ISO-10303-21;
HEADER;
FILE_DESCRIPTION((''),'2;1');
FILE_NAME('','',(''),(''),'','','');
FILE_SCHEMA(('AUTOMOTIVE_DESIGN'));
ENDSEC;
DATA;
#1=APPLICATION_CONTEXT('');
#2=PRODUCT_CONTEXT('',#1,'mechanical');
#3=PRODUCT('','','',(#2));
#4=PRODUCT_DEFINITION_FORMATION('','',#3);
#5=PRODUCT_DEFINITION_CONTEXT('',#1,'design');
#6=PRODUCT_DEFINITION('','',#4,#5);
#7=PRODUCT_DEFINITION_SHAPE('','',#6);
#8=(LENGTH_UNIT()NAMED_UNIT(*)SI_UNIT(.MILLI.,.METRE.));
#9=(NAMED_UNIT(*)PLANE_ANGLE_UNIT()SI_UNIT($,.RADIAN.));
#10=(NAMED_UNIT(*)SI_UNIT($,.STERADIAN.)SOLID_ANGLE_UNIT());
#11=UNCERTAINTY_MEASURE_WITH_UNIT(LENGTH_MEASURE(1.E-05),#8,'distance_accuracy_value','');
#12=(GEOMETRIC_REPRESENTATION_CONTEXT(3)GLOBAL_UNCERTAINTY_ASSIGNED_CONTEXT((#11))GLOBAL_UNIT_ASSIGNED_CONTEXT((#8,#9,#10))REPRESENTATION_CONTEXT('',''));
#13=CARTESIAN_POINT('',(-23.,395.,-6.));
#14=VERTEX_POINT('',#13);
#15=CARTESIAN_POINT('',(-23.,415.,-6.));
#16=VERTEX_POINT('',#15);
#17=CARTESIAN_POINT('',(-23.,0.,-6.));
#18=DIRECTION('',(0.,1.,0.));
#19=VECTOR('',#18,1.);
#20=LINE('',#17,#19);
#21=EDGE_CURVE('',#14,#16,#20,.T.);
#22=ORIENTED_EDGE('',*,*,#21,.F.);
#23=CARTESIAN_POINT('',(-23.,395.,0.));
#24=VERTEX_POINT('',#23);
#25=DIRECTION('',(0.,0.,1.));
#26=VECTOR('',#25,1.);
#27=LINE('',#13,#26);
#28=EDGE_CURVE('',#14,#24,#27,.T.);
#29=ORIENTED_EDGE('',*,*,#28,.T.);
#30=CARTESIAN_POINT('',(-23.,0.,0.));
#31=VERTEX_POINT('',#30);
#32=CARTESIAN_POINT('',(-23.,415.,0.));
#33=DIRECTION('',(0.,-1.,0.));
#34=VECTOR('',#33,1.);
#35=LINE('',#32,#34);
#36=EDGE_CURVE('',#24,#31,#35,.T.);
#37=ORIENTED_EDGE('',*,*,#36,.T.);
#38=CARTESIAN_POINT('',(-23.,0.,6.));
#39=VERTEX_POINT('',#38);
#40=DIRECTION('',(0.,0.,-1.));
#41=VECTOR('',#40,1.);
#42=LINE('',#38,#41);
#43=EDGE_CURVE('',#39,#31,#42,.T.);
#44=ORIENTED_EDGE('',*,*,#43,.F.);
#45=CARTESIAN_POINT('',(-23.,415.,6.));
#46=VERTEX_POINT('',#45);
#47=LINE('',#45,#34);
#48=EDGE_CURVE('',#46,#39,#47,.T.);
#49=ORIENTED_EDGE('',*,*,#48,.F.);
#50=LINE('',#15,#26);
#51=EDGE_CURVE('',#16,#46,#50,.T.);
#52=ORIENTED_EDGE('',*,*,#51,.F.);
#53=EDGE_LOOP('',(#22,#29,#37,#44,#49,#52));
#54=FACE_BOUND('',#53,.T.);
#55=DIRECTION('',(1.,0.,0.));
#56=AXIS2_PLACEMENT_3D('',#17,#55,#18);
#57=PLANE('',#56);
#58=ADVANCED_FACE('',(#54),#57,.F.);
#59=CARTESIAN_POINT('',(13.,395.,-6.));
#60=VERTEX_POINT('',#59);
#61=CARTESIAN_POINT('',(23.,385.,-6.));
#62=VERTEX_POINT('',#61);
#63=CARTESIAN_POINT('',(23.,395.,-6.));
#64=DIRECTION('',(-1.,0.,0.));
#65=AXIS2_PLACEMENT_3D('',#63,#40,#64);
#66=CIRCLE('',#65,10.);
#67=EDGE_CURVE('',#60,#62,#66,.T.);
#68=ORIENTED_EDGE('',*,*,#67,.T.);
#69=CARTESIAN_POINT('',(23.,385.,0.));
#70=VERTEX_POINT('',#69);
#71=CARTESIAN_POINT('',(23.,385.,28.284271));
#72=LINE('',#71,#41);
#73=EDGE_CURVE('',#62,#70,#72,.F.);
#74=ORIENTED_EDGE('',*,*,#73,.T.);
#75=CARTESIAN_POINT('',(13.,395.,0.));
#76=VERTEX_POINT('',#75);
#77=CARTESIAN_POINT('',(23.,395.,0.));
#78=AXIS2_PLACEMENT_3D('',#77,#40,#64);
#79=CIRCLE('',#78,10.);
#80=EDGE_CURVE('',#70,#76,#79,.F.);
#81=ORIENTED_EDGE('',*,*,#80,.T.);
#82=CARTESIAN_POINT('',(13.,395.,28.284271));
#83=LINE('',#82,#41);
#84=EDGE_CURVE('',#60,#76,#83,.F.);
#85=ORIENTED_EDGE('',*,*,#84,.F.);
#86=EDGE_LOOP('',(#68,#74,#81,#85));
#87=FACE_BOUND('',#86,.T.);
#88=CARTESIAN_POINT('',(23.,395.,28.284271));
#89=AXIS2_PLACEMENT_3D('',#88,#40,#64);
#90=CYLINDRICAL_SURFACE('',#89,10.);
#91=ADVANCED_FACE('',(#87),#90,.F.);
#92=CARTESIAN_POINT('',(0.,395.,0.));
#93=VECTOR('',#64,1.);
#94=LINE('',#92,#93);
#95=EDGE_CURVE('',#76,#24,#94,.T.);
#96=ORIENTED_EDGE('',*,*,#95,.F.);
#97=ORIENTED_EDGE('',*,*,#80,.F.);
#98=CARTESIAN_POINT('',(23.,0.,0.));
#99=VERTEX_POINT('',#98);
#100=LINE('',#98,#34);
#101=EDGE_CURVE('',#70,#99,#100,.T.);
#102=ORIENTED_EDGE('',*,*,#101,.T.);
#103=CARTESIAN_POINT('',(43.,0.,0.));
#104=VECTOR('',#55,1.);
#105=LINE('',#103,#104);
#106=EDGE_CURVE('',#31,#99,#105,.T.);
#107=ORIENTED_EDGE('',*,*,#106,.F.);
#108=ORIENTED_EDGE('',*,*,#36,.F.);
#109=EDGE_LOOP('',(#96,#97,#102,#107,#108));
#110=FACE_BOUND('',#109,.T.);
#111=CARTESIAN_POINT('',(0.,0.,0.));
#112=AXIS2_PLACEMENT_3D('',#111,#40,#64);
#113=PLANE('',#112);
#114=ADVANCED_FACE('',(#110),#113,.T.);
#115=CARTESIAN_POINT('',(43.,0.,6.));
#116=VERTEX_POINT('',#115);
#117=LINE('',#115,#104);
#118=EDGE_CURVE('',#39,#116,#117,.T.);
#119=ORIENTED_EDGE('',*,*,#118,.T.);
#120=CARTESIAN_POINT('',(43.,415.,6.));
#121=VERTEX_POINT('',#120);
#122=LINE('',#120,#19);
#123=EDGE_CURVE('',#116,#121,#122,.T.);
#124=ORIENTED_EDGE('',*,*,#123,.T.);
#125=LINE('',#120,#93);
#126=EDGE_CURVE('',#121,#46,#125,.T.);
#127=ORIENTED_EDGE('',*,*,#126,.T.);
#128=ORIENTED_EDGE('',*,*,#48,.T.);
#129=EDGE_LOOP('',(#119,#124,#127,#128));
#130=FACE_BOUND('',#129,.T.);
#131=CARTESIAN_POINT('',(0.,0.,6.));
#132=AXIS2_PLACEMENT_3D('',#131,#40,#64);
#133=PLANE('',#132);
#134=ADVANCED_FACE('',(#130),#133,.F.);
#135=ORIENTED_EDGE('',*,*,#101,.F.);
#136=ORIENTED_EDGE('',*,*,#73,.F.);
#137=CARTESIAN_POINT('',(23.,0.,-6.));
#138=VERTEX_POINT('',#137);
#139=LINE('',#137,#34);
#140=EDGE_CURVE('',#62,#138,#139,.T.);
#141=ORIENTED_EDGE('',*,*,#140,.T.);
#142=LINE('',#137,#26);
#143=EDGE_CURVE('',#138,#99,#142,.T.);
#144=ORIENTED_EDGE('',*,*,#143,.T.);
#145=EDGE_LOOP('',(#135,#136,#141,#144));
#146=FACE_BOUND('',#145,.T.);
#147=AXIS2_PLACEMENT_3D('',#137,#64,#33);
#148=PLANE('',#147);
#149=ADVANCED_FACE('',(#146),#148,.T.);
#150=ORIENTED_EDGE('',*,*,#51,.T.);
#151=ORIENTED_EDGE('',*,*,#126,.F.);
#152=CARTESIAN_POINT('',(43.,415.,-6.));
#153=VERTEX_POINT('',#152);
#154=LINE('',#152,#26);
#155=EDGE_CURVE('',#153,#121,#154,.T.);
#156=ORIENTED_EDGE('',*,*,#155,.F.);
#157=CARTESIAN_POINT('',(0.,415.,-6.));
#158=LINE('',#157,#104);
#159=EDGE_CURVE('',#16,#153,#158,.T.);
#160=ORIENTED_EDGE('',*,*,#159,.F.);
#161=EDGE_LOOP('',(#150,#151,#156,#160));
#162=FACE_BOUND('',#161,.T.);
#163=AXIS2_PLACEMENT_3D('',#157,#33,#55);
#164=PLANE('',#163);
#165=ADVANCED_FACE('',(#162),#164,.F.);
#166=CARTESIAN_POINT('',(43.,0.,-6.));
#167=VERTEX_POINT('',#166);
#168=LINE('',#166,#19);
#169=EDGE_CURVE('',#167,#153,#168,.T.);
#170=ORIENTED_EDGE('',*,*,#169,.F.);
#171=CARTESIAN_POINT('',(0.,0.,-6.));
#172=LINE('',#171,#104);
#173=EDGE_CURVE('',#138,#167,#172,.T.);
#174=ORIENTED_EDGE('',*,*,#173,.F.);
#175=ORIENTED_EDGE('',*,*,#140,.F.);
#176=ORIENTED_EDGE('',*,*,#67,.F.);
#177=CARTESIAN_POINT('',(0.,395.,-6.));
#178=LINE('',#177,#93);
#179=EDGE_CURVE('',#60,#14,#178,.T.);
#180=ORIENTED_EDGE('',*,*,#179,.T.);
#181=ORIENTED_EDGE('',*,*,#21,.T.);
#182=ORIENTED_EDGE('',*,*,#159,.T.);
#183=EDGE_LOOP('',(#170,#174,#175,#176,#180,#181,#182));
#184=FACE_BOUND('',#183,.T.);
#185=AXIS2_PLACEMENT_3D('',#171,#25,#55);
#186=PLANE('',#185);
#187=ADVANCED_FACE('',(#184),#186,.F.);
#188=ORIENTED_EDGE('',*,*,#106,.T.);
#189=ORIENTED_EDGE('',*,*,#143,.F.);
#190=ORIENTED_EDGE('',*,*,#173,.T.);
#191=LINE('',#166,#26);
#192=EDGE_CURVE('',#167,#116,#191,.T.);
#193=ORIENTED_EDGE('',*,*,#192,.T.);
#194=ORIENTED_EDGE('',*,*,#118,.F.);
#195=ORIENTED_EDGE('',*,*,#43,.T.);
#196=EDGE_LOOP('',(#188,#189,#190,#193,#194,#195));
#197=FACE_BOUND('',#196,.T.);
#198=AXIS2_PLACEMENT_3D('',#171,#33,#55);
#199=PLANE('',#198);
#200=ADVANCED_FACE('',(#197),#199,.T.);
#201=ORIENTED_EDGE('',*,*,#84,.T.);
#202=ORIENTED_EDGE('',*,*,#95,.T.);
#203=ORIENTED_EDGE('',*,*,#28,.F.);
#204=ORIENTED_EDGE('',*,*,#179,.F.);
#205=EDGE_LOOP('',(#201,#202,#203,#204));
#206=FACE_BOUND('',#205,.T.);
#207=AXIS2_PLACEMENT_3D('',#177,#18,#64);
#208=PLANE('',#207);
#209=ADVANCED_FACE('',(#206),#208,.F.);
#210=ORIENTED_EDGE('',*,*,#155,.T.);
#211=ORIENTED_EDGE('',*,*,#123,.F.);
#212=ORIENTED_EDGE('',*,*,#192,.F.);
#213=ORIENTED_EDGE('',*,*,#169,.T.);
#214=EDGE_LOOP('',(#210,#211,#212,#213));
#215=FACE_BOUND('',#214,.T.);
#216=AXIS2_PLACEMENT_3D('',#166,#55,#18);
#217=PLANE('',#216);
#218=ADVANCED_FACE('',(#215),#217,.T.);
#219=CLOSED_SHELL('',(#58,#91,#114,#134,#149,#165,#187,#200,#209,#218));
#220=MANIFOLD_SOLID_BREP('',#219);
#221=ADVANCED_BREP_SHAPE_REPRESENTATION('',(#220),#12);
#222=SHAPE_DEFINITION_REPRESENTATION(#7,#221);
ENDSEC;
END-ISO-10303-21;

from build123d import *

# Parameters (mm, degrees)
BOSS_EXTRUDE1_DEPTH = 6
SKETCH2_W           = 66
SKETCH2_H           = 415
BOSS_EXTRUDE2_DEPTH = 6
SKETCH3_R           = 10
CUT_EXTRUDE1_DEPTH  = 6


with BuildPart() as part:
    # Sketch1 → Boss-Extrude1 (new body)
    with BuildSketch(Plane.XY):
        Polygon((23, 395), (23, 0), (43, 0), (43, 415), (-23, 415), (-23, 395), align=None)
    extrude(amount=-BOSS_EXTRUDE1_DEPTH)

    # Sketch2 → Boss-Extrude2 (add)
    with BuildSketch(Plane.XY):
        with Locations((10, 207.5)):
            Rectangle(SKETCH2_W, SKETCH2_H)
    extrude(amount=BOSS_EXTRUDE2_DEPTH)

    # Sketch3 → Cut-Extrude1 (cut)
    with BuildSketch(Plane(origin=(0, 0, -6), x_dir=(-1, 0, 0), z_dir=(0, 0, -1))):
        with Locations((-23, 395)):
            Circle(SKETCH3_R)
    extrude(amount=-CUT_EXTRUDE1_DEPTH, mode=Mode.SUBTRACT)


solid = part.part
